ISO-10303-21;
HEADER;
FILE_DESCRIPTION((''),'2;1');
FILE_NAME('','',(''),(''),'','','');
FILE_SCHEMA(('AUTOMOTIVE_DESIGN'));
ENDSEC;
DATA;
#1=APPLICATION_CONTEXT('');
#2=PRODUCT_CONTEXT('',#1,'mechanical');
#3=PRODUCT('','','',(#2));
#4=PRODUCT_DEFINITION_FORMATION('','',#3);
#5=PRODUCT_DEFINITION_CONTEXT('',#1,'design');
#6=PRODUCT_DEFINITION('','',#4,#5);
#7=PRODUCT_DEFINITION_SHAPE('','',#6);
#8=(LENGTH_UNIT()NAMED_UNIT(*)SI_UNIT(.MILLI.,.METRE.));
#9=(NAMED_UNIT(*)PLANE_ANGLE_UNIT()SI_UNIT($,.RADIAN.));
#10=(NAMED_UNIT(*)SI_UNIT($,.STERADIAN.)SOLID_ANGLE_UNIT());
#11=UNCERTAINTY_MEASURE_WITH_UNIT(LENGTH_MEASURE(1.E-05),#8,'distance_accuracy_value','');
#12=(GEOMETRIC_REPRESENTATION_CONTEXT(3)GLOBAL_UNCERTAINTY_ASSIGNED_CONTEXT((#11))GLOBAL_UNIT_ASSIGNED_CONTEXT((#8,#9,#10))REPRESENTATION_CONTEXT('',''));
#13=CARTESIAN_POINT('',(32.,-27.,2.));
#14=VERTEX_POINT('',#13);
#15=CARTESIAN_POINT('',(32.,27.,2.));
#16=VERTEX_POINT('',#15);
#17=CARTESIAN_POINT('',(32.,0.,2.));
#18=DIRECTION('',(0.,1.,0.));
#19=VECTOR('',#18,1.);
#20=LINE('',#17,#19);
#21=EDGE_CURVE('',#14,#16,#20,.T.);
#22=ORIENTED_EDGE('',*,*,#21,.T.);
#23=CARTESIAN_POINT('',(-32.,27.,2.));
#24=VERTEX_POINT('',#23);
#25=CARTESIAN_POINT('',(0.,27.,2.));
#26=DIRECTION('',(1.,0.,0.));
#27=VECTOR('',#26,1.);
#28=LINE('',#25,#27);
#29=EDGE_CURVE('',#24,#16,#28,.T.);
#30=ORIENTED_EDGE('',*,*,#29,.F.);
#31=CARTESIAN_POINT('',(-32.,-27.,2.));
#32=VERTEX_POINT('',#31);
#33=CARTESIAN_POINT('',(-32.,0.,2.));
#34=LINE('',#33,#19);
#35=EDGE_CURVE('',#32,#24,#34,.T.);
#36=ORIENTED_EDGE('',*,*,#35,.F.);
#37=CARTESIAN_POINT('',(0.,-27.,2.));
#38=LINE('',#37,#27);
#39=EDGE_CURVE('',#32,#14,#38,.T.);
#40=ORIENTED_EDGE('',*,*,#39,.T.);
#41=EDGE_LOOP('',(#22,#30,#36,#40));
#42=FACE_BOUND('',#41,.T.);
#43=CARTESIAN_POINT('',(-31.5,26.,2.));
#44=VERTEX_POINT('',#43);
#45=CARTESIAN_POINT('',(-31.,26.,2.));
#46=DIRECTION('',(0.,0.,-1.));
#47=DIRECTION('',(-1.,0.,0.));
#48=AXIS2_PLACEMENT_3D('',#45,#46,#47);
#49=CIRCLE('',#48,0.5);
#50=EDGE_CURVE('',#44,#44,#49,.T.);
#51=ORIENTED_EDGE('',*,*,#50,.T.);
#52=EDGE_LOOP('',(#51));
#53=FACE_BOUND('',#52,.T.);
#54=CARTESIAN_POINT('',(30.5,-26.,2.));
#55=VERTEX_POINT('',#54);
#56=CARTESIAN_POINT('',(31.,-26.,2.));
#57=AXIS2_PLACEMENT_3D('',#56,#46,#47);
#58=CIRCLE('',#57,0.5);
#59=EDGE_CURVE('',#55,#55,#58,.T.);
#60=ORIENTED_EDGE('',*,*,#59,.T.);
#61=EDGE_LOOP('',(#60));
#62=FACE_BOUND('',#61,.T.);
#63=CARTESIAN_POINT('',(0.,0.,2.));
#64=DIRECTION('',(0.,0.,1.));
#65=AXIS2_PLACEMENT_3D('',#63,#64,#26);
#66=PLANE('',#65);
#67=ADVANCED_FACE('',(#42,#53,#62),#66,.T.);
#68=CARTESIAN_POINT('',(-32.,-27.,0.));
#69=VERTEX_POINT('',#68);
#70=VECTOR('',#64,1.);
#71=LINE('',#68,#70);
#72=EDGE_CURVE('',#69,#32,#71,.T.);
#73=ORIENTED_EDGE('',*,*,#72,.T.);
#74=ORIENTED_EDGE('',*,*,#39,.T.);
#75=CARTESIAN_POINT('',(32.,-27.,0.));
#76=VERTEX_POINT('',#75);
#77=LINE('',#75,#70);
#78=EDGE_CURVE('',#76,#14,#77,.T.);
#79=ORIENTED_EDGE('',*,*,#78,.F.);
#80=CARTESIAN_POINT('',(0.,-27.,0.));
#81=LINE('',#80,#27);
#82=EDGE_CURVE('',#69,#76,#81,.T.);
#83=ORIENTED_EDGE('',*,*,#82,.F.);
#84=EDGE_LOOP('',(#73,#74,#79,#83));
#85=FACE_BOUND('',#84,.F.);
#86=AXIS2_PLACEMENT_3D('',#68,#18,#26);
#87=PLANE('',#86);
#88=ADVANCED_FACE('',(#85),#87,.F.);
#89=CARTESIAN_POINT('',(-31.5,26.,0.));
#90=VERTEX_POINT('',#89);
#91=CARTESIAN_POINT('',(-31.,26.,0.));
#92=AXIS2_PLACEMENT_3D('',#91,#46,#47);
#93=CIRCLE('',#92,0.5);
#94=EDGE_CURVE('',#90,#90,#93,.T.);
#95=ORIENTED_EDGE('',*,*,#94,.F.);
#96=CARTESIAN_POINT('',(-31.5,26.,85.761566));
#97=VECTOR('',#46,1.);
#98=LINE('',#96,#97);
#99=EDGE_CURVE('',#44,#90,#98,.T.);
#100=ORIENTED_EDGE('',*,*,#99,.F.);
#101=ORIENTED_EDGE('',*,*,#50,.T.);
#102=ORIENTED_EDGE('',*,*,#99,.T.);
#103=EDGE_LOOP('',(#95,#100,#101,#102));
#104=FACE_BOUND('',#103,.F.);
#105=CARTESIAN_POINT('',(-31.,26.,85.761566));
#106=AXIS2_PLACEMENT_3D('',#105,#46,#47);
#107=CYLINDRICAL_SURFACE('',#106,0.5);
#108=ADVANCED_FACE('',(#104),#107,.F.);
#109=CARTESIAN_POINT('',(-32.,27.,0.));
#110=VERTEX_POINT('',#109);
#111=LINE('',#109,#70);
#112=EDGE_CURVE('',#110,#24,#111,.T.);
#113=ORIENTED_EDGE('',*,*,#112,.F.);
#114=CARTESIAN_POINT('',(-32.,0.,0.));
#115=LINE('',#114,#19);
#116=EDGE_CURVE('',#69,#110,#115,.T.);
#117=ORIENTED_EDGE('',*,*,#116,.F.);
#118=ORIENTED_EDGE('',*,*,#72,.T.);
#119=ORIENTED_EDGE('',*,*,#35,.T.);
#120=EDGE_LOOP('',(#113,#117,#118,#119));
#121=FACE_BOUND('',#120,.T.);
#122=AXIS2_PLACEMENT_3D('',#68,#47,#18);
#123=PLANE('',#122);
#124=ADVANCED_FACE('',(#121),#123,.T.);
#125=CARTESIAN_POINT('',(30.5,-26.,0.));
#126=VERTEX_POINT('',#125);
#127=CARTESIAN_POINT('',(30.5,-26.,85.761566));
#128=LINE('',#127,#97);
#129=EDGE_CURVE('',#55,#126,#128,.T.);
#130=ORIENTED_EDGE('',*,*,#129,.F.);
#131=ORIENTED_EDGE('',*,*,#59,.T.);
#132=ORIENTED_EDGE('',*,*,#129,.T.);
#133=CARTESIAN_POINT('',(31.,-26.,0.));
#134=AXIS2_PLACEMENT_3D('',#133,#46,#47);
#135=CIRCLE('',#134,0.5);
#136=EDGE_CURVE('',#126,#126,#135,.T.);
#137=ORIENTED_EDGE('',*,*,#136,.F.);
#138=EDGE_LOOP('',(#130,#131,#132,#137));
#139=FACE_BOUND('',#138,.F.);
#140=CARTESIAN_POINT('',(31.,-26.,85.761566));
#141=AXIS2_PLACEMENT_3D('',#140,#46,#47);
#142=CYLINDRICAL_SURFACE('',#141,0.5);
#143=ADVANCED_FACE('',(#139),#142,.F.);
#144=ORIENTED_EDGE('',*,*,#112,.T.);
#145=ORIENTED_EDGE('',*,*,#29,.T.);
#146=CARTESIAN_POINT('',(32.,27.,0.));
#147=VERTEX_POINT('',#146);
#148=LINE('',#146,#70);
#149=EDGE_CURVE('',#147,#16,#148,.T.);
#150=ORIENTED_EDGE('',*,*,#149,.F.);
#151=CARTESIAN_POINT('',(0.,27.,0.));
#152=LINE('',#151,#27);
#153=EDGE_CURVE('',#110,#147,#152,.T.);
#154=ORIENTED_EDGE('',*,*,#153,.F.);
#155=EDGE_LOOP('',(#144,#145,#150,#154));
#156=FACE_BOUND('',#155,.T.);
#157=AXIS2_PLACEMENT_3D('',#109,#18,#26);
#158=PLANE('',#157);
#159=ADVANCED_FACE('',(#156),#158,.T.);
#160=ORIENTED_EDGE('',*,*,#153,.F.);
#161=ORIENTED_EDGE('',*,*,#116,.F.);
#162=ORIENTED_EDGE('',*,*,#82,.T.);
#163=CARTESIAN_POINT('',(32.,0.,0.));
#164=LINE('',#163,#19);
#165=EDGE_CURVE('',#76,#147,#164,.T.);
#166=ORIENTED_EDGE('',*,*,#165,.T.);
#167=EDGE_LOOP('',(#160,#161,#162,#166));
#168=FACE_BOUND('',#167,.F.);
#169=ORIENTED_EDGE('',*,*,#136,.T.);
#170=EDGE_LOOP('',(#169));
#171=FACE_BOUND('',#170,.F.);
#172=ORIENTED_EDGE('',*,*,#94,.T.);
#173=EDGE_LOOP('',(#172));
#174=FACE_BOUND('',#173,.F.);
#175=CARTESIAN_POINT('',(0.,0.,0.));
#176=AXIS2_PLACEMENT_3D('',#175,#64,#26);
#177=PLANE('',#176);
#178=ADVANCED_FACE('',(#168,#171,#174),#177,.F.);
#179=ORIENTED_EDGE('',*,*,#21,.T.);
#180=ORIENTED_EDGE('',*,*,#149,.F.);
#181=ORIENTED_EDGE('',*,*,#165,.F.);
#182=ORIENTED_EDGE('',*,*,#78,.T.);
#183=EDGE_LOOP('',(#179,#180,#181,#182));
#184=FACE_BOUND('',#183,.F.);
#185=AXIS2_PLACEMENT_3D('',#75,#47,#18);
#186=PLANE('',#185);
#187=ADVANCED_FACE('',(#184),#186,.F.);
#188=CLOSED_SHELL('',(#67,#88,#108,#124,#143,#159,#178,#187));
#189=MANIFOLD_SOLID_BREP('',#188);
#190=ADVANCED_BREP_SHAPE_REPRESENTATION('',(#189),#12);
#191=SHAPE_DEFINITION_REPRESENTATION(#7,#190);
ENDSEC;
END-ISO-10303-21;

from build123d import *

# Parameters (mm, degrees)
F0_W     = 64
F0_H     = 54
F1_DEPTH = 2
F4_D     = 1
F5_D     = 1


with BuildPart() as f1:
    # F0 (on Top) → F1 (new body)
    with BuildSketch(Plane.XY):
        Rectangle(F0_W, F0_H)
    extrude(amount=F1_DEPTH)

    # F4 (through all)
    with Locations(Plane.XY.offset(2)):
        with Locations((31, -26)):
            Hole(F4_D / 2)

    # F5 (through all)
    with Locations(Plane.XY.offset(2)):
        with Locations((-31, 26)):
            Hole(F5_D / 2)


solid = f1.part
